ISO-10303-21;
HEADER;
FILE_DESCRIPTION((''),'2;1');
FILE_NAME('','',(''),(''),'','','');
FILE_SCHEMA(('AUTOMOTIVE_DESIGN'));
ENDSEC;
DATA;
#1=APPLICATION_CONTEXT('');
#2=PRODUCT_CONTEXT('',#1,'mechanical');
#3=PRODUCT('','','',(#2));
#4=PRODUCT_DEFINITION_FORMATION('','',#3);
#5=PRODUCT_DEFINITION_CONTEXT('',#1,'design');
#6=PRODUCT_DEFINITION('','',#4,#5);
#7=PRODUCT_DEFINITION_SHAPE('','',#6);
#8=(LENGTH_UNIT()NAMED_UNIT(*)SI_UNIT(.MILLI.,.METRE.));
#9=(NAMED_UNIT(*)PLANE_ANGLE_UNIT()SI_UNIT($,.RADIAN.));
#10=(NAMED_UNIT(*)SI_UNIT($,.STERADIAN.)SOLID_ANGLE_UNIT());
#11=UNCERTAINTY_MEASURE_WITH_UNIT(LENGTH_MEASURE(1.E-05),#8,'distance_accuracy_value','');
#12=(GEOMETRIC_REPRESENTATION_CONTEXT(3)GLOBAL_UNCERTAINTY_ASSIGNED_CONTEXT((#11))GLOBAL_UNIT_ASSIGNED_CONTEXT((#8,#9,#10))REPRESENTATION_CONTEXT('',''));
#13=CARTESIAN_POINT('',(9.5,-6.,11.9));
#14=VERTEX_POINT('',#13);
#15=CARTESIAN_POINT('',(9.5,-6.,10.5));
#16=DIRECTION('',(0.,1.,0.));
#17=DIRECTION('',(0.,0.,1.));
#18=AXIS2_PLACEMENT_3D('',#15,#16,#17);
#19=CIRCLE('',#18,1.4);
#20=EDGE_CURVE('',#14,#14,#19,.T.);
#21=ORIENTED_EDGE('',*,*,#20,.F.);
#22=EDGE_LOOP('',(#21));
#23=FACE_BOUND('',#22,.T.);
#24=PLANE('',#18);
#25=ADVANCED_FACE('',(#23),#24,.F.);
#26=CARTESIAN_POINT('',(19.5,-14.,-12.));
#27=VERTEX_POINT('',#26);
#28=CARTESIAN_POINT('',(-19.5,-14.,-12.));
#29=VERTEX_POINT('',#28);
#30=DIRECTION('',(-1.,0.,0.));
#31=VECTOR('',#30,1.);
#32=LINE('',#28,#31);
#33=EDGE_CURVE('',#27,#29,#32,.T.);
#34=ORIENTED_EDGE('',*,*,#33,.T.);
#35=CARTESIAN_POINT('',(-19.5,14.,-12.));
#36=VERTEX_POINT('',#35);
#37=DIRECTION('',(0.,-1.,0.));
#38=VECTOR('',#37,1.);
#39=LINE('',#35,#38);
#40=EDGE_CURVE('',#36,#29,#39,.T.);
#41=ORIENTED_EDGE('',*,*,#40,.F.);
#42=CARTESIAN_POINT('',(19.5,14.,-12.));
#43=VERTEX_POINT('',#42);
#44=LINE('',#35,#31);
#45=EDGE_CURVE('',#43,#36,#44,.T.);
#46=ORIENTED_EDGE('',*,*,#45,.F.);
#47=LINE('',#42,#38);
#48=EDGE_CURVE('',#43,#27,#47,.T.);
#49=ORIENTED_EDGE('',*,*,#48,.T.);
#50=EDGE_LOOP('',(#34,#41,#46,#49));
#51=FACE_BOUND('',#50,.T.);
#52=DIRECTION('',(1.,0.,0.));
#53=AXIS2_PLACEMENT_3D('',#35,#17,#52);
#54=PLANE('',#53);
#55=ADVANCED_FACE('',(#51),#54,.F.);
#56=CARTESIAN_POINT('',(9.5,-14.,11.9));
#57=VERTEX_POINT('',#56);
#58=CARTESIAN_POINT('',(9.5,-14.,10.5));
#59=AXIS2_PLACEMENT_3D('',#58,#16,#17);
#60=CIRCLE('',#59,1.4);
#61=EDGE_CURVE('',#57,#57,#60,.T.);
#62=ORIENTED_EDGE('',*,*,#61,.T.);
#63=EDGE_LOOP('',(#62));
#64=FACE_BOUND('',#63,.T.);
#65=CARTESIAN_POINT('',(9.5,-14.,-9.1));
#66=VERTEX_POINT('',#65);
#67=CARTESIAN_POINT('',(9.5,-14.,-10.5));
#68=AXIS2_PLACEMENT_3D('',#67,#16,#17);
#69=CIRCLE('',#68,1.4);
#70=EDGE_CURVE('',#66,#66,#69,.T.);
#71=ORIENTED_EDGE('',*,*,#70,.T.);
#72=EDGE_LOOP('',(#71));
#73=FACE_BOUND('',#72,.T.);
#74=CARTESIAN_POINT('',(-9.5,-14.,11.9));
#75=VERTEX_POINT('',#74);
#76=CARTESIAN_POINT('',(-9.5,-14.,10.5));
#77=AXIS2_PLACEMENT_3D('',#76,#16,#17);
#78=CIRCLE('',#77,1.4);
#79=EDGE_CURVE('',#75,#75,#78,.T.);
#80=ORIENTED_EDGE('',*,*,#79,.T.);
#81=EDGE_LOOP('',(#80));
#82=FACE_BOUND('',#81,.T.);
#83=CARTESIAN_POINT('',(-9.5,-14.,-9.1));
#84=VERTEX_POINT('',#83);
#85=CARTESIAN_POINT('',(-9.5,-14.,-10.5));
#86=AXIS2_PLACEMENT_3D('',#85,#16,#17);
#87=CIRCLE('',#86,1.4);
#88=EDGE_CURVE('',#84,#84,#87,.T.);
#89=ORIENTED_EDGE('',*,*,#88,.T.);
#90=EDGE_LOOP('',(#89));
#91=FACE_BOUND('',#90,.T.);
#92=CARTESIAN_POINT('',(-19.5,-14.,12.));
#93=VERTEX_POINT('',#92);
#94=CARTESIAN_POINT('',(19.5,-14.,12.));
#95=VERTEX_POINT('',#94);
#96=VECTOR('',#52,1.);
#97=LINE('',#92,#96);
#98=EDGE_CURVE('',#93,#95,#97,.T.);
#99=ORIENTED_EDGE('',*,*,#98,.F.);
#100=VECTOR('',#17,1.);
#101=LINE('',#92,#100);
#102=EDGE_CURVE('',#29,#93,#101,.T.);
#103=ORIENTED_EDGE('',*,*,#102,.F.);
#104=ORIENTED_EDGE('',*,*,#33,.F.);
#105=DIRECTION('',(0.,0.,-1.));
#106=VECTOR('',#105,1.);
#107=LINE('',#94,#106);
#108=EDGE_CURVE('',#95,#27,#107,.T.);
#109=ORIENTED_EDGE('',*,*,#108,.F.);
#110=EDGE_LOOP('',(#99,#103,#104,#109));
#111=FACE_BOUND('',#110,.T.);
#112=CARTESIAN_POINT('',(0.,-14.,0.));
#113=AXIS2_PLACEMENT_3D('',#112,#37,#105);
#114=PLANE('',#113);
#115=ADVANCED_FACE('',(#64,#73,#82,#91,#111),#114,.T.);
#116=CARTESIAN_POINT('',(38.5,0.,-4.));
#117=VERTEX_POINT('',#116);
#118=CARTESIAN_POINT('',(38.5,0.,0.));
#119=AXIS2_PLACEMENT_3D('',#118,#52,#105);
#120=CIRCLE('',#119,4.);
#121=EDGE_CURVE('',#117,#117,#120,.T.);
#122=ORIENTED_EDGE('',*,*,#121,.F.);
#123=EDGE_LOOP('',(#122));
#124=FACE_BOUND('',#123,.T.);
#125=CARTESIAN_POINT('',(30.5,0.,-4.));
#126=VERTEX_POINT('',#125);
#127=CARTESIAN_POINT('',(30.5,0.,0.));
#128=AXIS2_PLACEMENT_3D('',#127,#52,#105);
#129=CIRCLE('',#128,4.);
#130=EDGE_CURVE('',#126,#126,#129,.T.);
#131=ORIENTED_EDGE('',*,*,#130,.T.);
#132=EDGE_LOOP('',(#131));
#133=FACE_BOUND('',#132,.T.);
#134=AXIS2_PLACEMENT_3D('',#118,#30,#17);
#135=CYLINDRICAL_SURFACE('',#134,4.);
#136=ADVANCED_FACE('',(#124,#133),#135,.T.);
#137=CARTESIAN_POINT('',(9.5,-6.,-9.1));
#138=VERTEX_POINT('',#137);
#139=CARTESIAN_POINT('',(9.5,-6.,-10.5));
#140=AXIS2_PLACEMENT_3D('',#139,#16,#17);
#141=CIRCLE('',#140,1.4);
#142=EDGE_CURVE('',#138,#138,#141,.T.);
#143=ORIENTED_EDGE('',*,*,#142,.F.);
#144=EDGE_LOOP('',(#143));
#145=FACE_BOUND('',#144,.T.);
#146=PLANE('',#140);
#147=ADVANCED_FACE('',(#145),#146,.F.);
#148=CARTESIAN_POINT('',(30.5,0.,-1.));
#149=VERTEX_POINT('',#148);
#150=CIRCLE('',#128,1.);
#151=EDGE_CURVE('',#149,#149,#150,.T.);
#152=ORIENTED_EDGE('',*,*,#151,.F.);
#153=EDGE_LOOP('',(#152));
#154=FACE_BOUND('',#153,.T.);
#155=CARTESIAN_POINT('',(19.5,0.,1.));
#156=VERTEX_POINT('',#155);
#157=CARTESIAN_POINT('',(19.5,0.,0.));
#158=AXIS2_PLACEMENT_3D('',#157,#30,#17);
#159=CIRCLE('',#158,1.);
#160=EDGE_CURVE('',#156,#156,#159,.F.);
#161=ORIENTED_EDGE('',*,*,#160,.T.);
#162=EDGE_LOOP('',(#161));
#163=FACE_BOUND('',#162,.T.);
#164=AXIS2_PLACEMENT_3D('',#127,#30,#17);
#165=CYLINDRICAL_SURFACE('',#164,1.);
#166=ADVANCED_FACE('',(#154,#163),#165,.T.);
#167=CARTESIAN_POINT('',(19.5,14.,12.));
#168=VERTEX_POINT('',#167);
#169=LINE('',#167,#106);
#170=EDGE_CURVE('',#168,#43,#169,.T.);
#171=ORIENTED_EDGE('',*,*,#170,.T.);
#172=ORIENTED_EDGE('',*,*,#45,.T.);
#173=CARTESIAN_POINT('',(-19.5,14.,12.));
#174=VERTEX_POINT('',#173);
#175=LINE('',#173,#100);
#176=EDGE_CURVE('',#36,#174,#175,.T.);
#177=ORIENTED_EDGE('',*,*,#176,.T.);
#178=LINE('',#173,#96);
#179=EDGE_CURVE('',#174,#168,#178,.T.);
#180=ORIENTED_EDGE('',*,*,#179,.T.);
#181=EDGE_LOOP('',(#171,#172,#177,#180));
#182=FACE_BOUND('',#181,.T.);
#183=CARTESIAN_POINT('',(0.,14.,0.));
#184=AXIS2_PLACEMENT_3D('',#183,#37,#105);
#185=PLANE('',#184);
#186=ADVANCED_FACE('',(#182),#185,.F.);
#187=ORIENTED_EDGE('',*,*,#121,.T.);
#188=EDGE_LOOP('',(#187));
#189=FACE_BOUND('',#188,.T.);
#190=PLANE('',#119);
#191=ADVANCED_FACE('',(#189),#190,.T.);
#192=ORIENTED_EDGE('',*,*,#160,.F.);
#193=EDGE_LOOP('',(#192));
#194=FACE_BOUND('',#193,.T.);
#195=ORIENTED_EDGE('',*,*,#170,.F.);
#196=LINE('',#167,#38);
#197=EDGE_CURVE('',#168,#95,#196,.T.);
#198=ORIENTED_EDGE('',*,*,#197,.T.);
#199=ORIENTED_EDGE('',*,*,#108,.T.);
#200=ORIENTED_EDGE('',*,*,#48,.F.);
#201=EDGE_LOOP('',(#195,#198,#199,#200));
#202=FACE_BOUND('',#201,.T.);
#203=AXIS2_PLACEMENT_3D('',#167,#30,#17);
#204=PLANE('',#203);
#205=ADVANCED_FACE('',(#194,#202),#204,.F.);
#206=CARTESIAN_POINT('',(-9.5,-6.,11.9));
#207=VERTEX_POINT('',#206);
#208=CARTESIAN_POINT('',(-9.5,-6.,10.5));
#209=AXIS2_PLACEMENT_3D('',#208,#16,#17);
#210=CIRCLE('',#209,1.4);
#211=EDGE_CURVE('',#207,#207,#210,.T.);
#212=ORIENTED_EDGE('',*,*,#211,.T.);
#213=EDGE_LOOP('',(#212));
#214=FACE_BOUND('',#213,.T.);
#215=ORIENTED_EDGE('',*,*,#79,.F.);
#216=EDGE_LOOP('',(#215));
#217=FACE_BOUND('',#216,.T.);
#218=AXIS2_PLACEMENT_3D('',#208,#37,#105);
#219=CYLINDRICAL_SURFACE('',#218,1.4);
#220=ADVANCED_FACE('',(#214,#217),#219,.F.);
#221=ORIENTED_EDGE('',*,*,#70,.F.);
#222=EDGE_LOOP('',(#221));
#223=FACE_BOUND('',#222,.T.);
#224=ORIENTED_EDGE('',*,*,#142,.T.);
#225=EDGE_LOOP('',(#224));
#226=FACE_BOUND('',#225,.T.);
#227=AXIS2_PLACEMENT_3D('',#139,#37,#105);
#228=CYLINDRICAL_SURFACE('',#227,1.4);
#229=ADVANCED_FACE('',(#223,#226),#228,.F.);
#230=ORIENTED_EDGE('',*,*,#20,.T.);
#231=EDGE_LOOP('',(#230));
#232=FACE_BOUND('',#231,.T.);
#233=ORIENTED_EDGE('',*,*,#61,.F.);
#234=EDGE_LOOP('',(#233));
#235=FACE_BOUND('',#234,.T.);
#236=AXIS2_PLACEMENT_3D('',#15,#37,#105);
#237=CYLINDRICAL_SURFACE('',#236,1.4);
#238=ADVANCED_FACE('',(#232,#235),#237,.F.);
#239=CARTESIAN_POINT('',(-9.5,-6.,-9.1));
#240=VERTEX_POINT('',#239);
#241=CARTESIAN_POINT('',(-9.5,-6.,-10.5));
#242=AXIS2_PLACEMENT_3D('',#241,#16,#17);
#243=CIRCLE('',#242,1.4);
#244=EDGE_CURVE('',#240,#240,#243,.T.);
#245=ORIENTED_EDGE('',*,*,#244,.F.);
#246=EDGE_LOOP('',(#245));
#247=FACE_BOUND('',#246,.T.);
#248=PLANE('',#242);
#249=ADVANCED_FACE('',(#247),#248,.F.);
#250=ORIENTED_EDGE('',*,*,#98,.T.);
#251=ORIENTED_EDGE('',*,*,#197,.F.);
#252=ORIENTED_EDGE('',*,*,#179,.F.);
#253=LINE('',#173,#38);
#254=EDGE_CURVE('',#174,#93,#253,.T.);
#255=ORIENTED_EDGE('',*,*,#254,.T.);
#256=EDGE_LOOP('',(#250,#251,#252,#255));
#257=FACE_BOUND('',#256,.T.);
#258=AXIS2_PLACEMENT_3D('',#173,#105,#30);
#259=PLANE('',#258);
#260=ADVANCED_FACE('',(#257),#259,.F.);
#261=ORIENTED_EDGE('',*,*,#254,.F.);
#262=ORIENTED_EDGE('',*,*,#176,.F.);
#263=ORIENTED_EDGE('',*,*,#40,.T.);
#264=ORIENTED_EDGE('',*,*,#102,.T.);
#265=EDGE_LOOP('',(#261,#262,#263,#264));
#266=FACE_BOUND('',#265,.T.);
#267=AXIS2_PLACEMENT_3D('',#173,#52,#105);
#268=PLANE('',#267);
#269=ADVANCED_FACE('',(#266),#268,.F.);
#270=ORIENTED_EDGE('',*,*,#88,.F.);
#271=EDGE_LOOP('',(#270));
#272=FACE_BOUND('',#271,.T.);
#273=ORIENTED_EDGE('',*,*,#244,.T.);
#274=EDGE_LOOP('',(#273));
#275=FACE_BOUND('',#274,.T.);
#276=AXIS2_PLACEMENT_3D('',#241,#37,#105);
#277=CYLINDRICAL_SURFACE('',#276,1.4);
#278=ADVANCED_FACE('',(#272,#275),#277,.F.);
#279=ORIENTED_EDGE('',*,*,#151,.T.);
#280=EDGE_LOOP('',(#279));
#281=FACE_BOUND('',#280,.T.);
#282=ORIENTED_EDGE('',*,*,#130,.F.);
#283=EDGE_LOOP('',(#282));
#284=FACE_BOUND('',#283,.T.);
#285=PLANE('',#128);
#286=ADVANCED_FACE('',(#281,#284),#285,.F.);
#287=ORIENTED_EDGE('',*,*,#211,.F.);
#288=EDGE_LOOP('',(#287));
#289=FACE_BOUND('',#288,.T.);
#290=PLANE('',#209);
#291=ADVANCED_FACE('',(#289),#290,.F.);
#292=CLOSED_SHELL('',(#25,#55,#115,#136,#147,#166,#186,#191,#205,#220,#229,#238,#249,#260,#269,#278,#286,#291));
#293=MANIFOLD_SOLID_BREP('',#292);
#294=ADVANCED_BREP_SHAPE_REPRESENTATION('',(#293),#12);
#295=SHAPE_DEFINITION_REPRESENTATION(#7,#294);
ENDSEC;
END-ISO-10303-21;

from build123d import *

# Parameters (mm, degrees)
SKETCH2_W           = 39
SKETCH2_H           = 24
BOSS_EXTRUDE1_DEPTH = 14
SKETCH3_R           = 1
BOSS_EXTRUDE2_DEPTH = 11
SKETCH4_R           = 4
BOSS_EXTRUDE3_DEPTH = 8
SKETCH5_R           = 1.4
CUT_EXTRUDE3_DEPTH  = 8


with BuildPart() as part:
    # Sketch2 → Boss-Extrude1 (new, symmetric)
    with BuildSketch(Plane(origin=(0, 0, 0), x_dir=(1, 0, 0), z_dir=(0, 1, 0))):
        Rectangle(SKETCH2_W, SKETCH2_H)
    extrude(amount=BOSS_EXTRUDE1_DEPTH, both=True)

    # Sketch3 → Boss-Extrude2 (add)
    with BuildSketch(Plane(origin=(19.5, 0, 0), x_dir=(0, 0, -1), z_dir=(1, 0, 0))):
        with Locations(Location((0, 0, 0), (0, 0, 180))):
            Circle(SKETCH3_R)
    extrude(amount=BOSS_EXTRUDE2_DEPTH)

    # Sketch4 → Boss-Extrude3 (add)
    with BuildSketch(Plane(origin=(30.5, 0, 0), x_dir=(0, 0, -1), z_dir=(1, 0, 0))):
        Circle(SKETCH4_R)
    extrude(amount=BOSS_EXTRUDE3_DEPTH)

    # Sketch5 → Cut-Extrude3 (cut)
    with BuildSketch(Plane(origin=(0, -14, 0), x_dir=(1, 0, 0), z_dir=(0, 1, 0))):
        with Locations(Location((-9.5, 10.5, 0), (0, 0, 270))):
            Circle(SKETCH5_R)
        with Locations(Location((-9.5, -10.5, 0), (0, 0, 270))):
            Circle(SKETCH5_R)
        with Locations(Location((9.5, 10.5, 0), (0, 0, 270))):
            Circle(SKETCH5_R)
        with Locations(Location((9.5, -10.5, 0), (0, 0, 270))):
            Circle(SKETCH5_R)
    extrude(amount=CUT_EXTRUDE3_DEPTH, mode=Mode.SUBTRACT)


solid = part.part
